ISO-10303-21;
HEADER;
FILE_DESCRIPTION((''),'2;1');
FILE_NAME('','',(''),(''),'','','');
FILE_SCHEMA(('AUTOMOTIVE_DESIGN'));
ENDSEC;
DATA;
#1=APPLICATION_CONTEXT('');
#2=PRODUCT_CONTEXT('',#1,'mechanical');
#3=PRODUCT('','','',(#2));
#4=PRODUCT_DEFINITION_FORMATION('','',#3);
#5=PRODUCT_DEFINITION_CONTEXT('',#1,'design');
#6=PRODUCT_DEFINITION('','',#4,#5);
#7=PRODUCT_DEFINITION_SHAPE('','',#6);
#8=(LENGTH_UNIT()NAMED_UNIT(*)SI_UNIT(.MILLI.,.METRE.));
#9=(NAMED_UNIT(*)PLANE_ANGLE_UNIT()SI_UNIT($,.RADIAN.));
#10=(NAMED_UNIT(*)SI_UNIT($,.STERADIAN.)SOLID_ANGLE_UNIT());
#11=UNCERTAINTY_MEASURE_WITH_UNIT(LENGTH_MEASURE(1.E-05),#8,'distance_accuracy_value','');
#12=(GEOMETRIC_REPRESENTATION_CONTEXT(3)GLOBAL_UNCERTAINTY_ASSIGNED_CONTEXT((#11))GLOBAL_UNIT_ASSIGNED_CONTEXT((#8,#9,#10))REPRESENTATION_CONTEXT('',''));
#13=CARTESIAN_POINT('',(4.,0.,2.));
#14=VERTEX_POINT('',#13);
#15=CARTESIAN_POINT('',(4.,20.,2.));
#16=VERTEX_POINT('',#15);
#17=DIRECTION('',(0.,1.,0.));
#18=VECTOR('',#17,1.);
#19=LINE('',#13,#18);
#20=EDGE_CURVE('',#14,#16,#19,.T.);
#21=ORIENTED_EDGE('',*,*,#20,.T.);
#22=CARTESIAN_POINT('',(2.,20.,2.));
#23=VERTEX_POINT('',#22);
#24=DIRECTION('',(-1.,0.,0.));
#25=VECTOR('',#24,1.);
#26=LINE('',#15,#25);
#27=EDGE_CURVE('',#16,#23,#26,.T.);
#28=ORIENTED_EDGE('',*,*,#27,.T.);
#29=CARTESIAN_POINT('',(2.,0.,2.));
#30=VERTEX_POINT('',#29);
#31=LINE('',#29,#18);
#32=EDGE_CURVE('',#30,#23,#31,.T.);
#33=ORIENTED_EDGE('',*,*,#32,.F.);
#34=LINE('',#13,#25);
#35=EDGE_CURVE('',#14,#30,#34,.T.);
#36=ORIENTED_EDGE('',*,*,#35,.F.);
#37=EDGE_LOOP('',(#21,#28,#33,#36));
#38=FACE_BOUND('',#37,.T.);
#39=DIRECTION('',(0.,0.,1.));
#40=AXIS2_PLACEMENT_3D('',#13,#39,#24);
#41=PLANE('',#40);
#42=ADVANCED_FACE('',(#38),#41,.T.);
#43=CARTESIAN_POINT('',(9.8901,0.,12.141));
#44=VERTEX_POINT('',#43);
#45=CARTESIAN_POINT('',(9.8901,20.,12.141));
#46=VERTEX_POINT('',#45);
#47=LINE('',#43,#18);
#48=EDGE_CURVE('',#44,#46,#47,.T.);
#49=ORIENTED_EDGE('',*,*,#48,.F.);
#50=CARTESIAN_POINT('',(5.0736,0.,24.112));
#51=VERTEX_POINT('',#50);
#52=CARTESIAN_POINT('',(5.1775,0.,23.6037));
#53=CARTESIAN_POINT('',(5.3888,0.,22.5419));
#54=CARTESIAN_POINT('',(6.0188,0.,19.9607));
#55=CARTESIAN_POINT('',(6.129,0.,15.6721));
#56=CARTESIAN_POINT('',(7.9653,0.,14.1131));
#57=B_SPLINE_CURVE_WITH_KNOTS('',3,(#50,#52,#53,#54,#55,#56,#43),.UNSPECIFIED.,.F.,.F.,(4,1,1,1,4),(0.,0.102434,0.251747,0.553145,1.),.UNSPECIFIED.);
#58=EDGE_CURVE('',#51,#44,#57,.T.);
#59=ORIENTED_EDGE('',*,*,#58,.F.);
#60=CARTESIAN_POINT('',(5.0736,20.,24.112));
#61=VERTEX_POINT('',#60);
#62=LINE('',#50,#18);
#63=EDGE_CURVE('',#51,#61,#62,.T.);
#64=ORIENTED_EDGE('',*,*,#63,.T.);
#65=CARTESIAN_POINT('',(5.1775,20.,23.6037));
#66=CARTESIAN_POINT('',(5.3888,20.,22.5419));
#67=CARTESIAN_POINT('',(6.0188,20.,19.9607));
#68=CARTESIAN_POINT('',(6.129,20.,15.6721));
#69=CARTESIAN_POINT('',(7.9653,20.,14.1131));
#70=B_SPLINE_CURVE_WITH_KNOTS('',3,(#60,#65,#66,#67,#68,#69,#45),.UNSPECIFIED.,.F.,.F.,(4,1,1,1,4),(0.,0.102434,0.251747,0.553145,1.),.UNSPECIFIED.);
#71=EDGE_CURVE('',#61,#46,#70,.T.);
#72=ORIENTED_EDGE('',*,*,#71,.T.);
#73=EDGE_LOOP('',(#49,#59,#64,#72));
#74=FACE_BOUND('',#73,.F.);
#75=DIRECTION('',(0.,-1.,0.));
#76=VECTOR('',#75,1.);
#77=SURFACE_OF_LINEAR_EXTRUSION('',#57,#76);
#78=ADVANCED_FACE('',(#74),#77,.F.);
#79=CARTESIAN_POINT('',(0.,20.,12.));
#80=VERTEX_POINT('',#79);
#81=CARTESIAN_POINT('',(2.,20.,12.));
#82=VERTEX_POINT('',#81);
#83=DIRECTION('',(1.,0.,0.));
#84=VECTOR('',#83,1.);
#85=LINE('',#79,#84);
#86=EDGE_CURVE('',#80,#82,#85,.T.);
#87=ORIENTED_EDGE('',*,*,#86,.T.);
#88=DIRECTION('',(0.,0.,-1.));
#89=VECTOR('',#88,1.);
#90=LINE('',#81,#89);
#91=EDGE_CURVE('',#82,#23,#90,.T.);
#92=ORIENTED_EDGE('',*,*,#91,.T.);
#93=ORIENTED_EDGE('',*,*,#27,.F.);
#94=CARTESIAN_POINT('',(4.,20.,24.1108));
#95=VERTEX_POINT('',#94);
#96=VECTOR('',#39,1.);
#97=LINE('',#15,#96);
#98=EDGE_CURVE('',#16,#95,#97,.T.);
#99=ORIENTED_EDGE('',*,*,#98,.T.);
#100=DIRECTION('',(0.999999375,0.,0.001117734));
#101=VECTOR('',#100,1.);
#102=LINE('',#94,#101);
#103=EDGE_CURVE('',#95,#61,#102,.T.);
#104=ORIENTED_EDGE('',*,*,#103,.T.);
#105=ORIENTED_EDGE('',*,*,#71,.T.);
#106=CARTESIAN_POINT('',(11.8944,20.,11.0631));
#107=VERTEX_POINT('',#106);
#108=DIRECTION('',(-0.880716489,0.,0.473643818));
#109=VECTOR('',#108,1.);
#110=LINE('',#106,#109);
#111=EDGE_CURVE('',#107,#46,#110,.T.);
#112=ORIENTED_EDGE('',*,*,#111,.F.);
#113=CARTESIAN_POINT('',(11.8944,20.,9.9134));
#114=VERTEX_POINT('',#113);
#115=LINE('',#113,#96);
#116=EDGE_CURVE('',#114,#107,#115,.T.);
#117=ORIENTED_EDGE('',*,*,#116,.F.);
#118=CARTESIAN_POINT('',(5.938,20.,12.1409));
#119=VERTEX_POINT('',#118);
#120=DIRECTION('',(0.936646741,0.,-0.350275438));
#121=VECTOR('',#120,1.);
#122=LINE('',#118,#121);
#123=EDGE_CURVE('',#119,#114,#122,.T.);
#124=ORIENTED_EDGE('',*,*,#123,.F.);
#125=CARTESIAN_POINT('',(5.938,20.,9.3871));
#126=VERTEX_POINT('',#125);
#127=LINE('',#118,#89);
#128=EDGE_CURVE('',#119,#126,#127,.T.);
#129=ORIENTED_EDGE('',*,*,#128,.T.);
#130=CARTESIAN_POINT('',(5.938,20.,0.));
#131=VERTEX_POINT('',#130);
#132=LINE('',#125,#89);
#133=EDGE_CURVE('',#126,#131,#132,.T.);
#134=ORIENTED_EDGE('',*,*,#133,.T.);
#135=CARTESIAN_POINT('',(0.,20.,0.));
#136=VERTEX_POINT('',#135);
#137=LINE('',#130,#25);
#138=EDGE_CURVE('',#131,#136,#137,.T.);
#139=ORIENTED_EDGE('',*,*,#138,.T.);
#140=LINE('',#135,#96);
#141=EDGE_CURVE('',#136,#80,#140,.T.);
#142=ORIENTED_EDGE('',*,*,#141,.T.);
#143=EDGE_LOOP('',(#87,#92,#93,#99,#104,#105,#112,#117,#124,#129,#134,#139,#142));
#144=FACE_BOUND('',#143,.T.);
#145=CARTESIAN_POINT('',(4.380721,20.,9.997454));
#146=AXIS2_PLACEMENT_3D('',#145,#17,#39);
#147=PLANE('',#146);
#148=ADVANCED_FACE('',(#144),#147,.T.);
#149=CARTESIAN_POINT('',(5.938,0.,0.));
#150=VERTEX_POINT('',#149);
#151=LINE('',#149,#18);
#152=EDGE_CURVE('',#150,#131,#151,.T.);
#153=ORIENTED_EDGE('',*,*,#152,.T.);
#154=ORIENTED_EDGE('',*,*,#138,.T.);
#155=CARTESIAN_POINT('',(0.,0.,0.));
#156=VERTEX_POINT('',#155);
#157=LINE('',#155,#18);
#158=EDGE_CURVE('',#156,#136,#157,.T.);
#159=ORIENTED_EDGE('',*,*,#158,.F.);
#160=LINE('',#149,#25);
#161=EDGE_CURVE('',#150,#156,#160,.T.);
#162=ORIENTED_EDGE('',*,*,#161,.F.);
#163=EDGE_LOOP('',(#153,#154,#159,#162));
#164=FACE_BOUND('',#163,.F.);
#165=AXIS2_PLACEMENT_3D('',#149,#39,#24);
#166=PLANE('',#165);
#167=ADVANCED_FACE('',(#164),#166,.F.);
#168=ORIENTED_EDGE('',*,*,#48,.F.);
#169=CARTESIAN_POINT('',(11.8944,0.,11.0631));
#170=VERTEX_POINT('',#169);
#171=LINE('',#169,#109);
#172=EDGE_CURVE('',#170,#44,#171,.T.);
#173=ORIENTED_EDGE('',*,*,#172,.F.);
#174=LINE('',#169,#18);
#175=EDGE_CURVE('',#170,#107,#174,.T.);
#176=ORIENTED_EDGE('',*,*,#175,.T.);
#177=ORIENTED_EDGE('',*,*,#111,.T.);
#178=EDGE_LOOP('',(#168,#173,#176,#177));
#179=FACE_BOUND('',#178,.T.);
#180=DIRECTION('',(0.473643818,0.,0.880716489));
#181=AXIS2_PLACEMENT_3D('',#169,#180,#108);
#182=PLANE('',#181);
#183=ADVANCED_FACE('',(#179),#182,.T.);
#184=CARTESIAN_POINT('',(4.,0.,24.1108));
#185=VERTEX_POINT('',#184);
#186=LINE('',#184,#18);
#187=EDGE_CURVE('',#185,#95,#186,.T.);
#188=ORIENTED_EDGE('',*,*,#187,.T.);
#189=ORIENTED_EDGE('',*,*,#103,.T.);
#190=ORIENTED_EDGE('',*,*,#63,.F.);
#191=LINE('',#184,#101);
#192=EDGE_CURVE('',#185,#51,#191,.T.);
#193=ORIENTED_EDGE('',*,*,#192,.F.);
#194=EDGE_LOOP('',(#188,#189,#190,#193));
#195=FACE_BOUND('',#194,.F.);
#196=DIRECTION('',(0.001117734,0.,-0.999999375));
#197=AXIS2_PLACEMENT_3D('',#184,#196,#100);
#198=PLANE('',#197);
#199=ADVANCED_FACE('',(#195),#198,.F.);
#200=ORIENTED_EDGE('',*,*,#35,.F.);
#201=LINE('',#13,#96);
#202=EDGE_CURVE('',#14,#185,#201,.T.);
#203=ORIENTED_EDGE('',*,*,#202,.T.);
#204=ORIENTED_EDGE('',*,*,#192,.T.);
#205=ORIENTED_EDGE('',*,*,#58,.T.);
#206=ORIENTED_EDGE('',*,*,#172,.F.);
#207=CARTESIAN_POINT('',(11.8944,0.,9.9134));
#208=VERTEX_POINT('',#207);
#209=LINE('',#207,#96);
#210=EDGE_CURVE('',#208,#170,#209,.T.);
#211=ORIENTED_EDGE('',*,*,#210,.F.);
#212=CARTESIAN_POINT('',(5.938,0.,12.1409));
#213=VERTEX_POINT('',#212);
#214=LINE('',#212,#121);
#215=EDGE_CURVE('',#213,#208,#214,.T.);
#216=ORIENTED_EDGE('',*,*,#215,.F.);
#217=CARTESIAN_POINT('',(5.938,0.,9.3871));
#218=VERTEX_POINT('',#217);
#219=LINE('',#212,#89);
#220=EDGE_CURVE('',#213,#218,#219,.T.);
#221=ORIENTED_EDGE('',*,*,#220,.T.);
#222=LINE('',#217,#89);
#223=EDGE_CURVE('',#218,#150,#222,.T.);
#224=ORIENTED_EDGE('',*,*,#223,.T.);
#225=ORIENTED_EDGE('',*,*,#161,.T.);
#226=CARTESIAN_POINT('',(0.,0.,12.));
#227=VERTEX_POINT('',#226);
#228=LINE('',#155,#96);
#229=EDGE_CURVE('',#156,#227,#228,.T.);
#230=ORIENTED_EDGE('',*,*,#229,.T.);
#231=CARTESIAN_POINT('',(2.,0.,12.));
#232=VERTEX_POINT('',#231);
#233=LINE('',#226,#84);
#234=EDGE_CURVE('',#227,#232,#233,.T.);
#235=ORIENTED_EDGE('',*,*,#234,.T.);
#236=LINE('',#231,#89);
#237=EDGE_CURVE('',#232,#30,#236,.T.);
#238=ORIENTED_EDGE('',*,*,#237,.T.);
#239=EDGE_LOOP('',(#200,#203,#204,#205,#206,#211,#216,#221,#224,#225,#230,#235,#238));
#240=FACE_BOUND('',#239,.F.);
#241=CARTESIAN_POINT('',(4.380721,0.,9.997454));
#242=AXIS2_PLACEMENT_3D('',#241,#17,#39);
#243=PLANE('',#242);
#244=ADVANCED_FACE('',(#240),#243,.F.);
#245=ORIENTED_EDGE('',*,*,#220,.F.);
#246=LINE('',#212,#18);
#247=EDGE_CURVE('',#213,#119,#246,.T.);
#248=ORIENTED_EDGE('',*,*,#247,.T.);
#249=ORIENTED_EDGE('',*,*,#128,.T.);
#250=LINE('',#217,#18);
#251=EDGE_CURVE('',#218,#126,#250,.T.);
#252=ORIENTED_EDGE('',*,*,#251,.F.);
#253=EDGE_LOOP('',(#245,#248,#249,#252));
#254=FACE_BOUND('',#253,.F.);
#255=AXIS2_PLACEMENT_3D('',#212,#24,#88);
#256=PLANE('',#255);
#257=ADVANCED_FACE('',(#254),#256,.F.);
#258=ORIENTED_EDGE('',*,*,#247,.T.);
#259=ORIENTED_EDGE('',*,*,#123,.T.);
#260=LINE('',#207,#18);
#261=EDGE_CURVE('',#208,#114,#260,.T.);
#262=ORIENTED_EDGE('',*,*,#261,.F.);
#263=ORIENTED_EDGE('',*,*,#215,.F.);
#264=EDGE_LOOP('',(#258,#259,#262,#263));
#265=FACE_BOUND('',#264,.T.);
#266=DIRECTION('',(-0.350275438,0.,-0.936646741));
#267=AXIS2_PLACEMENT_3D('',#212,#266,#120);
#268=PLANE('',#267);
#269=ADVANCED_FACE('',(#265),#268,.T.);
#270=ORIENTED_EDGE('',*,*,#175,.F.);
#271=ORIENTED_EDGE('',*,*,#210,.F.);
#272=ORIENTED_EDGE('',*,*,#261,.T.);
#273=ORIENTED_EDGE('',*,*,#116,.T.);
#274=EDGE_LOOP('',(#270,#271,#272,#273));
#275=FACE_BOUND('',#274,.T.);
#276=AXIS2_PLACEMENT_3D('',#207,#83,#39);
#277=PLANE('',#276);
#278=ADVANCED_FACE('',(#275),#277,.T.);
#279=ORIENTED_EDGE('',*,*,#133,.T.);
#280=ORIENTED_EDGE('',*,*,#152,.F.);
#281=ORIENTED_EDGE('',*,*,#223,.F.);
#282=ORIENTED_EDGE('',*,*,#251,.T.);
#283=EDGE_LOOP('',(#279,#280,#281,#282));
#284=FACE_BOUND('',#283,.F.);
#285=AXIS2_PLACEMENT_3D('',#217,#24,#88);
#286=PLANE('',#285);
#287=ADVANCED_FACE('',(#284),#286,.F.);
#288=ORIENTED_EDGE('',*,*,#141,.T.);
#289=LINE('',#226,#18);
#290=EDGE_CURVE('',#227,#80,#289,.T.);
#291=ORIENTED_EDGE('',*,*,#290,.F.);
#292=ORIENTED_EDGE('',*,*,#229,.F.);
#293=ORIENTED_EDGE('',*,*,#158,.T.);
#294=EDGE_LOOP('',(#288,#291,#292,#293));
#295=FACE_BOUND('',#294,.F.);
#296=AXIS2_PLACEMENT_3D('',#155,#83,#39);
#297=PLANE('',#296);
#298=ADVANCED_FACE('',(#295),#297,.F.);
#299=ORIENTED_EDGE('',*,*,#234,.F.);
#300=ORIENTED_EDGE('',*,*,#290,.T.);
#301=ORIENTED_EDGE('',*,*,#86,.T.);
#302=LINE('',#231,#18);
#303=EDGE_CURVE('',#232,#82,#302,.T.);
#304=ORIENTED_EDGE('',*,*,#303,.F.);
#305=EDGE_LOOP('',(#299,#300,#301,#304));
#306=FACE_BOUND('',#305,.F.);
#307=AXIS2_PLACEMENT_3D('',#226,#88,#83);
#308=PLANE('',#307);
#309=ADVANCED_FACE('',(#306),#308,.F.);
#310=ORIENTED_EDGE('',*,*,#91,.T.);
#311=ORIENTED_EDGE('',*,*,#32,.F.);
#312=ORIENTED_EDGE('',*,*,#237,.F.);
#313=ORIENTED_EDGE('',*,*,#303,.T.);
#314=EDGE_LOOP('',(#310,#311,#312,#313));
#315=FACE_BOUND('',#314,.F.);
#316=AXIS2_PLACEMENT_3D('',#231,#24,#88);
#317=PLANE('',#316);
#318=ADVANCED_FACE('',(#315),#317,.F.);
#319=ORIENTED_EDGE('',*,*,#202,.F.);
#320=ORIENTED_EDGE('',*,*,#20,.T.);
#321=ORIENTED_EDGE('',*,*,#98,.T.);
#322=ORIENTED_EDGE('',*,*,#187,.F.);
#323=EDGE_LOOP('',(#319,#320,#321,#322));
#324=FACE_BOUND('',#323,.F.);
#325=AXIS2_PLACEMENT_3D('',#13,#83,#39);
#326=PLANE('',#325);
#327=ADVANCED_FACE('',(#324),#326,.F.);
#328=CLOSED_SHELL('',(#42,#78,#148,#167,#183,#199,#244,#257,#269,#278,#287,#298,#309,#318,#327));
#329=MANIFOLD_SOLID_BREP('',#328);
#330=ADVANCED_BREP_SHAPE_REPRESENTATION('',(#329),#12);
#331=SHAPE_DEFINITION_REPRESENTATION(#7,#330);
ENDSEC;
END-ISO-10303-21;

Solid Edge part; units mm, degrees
sketch "Sketch1" plane through (0, 0, 0) normal (0, -1, 0) x (1, 0, 0)
  line L0 (5.938, 12.1409) -> (5.938, 9.3871)
  line L1 (5.938, 9.3871) -> (5.938, 0)
  line L2 (5.938, 0) -> (0, 0)
  line L3 (0, 0) -> (0, 12)
  line L4 (0, 12) -> (2, 12)
  line L5 (2, 12) -> (2, 2)
  line L6 (4, 2) -> (2, 2)
  line L7 (4, 2) -> (4, 24.1108)
  line L8 (4, 24.1108) -> (5.0736, 24.112)
  spline S0 degree 3 poles (5.0736, 24.112) (5.1775, 23.6037) (5.3888, 22.5419) (6.0188, 19.9607) (6.129, 15.6721) (7.9653, 14.1131) (9.8901, 12.141) knots 0 0 0 0 0.102434 0.251747 0.553145 1 1 1 1
  line L9 (11.8944, 11.0631) -> (9.8901, 12.141)
  line L10 (11.8944, 9.9134) -> (11.8944, 11.0631)
  line L11 (5.938, 12.1409) -> (11.8944, 9.9134)
extrude "Protrusion1" add sketch "Sketch1" against normal blind 20
